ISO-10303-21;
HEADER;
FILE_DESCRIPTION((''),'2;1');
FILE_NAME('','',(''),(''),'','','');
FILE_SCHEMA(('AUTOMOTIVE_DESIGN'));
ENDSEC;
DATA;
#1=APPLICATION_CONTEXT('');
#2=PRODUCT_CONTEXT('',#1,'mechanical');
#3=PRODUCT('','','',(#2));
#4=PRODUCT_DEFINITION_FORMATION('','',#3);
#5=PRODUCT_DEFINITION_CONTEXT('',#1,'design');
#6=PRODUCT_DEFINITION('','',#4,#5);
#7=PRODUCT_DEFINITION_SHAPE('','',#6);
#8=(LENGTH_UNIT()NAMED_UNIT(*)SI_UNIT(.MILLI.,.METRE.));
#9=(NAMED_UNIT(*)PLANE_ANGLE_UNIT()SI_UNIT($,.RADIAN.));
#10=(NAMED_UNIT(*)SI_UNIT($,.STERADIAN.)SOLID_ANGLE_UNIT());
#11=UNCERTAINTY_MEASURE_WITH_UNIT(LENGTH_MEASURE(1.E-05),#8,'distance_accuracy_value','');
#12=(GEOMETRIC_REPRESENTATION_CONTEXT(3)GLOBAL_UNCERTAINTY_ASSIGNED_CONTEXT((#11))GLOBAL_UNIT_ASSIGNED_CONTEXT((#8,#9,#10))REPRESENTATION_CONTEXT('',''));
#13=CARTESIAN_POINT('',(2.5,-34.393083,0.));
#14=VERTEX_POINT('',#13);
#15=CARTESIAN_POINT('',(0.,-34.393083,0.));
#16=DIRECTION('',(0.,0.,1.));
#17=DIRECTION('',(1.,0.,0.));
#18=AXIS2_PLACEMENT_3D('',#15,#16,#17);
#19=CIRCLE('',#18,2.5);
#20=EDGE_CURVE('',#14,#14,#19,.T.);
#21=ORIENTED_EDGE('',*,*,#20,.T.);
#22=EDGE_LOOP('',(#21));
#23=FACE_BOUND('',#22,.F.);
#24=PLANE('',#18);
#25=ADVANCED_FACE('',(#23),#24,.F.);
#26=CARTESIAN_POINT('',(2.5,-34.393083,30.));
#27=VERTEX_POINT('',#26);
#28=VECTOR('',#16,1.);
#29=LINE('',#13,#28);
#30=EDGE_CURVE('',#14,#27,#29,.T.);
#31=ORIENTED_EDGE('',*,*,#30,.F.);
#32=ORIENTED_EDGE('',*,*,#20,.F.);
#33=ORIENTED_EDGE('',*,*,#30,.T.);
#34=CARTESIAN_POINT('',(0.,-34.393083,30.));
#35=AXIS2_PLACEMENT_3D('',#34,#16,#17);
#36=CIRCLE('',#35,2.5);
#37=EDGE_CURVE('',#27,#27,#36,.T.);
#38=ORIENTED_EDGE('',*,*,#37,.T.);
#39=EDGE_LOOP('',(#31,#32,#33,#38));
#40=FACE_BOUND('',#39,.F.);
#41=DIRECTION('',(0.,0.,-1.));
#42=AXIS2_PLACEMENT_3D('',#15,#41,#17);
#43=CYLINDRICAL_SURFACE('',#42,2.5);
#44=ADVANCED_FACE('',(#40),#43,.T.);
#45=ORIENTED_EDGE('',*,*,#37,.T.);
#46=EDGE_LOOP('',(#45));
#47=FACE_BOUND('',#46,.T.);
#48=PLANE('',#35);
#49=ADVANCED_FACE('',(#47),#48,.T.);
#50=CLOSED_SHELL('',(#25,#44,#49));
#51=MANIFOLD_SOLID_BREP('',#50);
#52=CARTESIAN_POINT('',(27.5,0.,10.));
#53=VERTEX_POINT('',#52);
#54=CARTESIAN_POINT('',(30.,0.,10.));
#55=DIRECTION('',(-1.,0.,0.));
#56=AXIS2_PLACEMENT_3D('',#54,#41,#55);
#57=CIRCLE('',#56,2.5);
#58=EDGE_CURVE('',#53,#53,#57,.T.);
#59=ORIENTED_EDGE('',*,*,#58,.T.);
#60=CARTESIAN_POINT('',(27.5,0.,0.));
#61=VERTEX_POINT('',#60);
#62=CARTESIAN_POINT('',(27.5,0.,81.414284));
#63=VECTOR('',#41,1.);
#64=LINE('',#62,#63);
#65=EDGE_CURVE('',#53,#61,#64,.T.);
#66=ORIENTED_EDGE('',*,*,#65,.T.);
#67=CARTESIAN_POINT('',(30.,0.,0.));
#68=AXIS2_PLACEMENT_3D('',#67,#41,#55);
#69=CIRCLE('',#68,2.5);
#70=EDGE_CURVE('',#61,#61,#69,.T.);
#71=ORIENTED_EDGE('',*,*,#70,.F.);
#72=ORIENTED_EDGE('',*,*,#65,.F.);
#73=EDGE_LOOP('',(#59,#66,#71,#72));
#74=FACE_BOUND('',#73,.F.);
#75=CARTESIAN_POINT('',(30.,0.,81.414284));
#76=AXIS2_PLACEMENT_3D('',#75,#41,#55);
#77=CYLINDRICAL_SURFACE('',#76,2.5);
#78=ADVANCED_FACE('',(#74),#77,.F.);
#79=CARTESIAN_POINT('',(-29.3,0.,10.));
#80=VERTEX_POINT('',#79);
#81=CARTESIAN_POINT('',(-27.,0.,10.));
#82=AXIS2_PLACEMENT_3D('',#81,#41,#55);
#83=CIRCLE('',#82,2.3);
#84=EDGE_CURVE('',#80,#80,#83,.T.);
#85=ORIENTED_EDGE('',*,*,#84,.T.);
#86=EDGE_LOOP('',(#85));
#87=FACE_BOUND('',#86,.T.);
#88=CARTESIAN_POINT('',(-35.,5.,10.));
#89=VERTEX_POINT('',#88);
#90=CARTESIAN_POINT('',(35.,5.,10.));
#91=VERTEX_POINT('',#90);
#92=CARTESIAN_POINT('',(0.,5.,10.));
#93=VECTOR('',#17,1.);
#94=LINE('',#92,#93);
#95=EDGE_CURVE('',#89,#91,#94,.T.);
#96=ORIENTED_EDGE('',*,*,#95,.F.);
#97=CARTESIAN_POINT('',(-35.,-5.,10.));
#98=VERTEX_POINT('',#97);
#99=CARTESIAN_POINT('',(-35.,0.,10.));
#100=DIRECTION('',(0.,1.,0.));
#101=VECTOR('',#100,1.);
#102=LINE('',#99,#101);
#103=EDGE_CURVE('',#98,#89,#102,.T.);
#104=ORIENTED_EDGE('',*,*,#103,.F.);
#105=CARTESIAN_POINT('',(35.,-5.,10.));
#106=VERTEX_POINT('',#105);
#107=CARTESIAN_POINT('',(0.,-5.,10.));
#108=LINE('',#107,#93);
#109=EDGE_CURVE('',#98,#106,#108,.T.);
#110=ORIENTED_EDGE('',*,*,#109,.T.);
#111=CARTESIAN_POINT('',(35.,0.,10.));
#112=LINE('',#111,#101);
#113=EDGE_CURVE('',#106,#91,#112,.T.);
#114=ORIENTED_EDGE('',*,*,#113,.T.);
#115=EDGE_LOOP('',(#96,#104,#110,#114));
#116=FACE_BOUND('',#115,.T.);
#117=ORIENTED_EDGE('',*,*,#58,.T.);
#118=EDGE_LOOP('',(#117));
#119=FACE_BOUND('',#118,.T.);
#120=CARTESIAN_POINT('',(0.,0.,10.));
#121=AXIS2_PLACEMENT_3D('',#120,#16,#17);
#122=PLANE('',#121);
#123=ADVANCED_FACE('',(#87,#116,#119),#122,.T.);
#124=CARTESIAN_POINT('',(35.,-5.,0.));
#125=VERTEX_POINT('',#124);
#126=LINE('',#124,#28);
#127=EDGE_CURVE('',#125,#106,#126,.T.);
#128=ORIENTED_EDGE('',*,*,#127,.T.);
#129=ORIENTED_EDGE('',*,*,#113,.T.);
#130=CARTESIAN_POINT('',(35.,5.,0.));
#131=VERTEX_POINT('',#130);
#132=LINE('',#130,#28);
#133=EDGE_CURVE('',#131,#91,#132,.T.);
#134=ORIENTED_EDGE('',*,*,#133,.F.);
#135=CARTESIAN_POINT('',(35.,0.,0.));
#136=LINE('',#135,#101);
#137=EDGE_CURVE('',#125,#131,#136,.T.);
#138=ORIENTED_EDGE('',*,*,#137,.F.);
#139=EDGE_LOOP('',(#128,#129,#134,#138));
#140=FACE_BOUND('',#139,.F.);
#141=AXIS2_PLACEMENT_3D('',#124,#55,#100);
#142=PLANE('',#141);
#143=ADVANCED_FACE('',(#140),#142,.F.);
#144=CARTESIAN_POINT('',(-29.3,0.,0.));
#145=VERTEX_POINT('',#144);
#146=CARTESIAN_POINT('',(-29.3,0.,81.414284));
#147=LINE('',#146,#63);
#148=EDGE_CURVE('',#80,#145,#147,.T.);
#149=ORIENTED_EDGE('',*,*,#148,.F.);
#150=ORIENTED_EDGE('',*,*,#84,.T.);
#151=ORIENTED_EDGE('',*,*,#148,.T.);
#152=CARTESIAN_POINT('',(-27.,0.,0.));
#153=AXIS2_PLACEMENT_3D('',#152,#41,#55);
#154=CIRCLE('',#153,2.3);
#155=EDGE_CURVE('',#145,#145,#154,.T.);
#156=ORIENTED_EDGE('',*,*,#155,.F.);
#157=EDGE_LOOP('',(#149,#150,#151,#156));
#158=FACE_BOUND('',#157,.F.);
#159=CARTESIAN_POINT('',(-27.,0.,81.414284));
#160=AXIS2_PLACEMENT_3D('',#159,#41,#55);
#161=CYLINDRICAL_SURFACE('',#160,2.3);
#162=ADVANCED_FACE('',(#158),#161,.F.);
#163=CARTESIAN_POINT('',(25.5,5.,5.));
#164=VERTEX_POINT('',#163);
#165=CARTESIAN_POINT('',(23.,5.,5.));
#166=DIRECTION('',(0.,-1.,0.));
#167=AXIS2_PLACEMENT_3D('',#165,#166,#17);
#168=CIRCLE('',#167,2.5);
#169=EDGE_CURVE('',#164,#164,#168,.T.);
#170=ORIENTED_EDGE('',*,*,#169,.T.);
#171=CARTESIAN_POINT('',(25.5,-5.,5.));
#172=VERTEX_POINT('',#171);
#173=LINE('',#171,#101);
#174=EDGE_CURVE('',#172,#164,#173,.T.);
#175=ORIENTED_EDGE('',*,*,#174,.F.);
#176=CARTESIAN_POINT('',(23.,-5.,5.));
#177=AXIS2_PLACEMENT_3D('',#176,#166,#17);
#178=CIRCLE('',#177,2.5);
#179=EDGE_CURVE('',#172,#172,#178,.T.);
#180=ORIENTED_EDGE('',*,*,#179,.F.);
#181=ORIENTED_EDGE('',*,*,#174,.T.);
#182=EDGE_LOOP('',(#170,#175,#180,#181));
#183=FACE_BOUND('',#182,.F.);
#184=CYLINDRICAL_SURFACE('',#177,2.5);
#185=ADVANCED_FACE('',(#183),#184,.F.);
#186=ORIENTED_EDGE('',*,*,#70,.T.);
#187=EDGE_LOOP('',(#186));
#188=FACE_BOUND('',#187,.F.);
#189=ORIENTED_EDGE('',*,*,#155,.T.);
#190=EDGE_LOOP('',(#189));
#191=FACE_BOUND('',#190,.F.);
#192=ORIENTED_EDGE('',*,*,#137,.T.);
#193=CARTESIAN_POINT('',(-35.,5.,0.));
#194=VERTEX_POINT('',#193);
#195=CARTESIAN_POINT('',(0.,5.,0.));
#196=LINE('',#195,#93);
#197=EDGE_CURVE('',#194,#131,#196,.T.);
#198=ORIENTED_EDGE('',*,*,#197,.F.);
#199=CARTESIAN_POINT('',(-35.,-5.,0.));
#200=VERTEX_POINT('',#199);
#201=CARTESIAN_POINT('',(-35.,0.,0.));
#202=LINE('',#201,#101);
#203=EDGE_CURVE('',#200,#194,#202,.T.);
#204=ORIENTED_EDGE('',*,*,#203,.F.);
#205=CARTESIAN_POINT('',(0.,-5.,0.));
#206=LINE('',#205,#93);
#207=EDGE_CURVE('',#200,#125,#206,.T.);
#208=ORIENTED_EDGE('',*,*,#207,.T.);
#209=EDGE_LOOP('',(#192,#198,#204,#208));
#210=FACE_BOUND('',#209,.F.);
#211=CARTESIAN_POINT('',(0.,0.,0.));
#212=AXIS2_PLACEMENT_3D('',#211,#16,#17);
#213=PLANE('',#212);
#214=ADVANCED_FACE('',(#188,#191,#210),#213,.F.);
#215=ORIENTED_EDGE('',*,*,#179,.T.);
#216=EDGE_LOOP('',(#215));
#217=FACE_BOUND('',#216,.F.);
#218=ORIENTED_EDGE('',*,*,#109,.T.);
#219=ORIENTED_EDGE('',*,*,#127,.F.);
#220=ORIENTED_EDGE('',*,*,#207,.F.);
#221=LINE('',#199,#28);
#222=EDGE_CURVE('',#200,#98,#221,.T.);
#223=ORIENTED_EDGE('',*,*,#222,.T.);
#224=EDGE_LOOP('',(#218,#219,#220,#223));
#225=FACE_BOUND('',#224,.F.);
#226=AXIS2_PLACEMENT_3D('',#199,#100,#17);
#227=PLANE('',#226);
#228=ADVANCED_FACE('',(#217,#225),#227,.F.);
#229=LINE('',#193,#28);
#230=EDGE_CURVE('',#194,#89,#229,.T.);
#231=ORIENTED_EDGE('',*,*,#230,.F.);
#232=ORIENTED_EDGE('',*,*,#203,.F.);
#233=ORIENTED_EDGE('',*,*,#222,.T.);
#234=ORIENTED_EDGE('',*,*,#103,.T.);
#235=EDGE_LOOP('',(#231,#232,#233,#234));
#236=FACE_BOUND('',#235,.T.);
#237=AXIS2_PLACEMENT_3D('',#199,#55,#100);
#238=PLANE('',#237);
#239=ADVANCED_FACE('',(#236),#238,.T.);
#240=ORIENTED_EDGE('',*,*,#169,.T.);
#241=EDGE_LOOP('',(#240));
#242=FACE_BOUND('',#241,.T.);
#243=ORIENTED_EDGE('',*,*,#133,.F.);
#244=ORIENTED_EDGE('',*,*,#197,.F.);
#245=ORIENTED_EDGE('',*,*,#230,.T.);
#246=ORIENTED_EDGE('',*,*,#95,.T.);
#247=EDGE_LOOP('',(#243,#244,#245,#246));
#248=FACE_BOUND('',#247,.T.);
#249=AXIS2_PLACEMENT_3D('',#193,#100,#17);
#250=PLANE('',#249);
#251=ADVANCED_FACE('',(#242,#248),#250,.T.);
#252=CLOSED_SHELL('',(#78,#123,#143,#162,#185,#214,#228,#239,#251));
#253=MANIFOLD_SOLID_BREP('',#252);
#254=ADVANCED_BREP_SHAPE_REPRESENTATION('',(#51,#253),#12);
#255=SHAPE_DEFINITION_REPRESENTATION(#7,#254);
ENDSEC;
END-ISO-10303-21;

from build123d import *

# Parameters (mm, degrees)
F0_W     = 70
F0_H     = 10
F1_DEPTH = 10
F2_R     = 2.5
F3_DEPTH = 25
F5_D     = 5
F6_D     = 4.6
F7_R     = 2.5
F8_DEPTH = 30


with BuildPart() as f1:
    # F0 (on Top) → F1 (new body)
    with BuildSketch(Plane.XY):
        Rectangle(F0_W, F0_H)
    extrude(amount=F1_DEPTH)

    # F2 (on face) → F3 (cut)
    with BuildSketch(Plane.XZ.offset(5)):
        with Locations((23, 5)):
            Circle(F2_R)
    extrude(amount=-F3_DEPTH, mode=Mode.SUBTRACT)

    # F5 (through all)
    with Locations(Plane.XY.offset(10)):
        with Locations((30, 0)):
            Hole(F5_D / 2)

    # F6 (through all)
    with Locations(Plane.XY.offset(10)):
        with Locations((-27, 0)):
            Hole(F6_D / 2)


with BuildPart() as f8:
    # F7 (on Top) → F8 (new body)
    with BuildSketch(Plane.XY):
        with Locations((0, -34.3930833042)):
            Circle(F7_R)
    extrude(amount=F8_DEPTH)


solid = Compound([f1.part, f8.part])
